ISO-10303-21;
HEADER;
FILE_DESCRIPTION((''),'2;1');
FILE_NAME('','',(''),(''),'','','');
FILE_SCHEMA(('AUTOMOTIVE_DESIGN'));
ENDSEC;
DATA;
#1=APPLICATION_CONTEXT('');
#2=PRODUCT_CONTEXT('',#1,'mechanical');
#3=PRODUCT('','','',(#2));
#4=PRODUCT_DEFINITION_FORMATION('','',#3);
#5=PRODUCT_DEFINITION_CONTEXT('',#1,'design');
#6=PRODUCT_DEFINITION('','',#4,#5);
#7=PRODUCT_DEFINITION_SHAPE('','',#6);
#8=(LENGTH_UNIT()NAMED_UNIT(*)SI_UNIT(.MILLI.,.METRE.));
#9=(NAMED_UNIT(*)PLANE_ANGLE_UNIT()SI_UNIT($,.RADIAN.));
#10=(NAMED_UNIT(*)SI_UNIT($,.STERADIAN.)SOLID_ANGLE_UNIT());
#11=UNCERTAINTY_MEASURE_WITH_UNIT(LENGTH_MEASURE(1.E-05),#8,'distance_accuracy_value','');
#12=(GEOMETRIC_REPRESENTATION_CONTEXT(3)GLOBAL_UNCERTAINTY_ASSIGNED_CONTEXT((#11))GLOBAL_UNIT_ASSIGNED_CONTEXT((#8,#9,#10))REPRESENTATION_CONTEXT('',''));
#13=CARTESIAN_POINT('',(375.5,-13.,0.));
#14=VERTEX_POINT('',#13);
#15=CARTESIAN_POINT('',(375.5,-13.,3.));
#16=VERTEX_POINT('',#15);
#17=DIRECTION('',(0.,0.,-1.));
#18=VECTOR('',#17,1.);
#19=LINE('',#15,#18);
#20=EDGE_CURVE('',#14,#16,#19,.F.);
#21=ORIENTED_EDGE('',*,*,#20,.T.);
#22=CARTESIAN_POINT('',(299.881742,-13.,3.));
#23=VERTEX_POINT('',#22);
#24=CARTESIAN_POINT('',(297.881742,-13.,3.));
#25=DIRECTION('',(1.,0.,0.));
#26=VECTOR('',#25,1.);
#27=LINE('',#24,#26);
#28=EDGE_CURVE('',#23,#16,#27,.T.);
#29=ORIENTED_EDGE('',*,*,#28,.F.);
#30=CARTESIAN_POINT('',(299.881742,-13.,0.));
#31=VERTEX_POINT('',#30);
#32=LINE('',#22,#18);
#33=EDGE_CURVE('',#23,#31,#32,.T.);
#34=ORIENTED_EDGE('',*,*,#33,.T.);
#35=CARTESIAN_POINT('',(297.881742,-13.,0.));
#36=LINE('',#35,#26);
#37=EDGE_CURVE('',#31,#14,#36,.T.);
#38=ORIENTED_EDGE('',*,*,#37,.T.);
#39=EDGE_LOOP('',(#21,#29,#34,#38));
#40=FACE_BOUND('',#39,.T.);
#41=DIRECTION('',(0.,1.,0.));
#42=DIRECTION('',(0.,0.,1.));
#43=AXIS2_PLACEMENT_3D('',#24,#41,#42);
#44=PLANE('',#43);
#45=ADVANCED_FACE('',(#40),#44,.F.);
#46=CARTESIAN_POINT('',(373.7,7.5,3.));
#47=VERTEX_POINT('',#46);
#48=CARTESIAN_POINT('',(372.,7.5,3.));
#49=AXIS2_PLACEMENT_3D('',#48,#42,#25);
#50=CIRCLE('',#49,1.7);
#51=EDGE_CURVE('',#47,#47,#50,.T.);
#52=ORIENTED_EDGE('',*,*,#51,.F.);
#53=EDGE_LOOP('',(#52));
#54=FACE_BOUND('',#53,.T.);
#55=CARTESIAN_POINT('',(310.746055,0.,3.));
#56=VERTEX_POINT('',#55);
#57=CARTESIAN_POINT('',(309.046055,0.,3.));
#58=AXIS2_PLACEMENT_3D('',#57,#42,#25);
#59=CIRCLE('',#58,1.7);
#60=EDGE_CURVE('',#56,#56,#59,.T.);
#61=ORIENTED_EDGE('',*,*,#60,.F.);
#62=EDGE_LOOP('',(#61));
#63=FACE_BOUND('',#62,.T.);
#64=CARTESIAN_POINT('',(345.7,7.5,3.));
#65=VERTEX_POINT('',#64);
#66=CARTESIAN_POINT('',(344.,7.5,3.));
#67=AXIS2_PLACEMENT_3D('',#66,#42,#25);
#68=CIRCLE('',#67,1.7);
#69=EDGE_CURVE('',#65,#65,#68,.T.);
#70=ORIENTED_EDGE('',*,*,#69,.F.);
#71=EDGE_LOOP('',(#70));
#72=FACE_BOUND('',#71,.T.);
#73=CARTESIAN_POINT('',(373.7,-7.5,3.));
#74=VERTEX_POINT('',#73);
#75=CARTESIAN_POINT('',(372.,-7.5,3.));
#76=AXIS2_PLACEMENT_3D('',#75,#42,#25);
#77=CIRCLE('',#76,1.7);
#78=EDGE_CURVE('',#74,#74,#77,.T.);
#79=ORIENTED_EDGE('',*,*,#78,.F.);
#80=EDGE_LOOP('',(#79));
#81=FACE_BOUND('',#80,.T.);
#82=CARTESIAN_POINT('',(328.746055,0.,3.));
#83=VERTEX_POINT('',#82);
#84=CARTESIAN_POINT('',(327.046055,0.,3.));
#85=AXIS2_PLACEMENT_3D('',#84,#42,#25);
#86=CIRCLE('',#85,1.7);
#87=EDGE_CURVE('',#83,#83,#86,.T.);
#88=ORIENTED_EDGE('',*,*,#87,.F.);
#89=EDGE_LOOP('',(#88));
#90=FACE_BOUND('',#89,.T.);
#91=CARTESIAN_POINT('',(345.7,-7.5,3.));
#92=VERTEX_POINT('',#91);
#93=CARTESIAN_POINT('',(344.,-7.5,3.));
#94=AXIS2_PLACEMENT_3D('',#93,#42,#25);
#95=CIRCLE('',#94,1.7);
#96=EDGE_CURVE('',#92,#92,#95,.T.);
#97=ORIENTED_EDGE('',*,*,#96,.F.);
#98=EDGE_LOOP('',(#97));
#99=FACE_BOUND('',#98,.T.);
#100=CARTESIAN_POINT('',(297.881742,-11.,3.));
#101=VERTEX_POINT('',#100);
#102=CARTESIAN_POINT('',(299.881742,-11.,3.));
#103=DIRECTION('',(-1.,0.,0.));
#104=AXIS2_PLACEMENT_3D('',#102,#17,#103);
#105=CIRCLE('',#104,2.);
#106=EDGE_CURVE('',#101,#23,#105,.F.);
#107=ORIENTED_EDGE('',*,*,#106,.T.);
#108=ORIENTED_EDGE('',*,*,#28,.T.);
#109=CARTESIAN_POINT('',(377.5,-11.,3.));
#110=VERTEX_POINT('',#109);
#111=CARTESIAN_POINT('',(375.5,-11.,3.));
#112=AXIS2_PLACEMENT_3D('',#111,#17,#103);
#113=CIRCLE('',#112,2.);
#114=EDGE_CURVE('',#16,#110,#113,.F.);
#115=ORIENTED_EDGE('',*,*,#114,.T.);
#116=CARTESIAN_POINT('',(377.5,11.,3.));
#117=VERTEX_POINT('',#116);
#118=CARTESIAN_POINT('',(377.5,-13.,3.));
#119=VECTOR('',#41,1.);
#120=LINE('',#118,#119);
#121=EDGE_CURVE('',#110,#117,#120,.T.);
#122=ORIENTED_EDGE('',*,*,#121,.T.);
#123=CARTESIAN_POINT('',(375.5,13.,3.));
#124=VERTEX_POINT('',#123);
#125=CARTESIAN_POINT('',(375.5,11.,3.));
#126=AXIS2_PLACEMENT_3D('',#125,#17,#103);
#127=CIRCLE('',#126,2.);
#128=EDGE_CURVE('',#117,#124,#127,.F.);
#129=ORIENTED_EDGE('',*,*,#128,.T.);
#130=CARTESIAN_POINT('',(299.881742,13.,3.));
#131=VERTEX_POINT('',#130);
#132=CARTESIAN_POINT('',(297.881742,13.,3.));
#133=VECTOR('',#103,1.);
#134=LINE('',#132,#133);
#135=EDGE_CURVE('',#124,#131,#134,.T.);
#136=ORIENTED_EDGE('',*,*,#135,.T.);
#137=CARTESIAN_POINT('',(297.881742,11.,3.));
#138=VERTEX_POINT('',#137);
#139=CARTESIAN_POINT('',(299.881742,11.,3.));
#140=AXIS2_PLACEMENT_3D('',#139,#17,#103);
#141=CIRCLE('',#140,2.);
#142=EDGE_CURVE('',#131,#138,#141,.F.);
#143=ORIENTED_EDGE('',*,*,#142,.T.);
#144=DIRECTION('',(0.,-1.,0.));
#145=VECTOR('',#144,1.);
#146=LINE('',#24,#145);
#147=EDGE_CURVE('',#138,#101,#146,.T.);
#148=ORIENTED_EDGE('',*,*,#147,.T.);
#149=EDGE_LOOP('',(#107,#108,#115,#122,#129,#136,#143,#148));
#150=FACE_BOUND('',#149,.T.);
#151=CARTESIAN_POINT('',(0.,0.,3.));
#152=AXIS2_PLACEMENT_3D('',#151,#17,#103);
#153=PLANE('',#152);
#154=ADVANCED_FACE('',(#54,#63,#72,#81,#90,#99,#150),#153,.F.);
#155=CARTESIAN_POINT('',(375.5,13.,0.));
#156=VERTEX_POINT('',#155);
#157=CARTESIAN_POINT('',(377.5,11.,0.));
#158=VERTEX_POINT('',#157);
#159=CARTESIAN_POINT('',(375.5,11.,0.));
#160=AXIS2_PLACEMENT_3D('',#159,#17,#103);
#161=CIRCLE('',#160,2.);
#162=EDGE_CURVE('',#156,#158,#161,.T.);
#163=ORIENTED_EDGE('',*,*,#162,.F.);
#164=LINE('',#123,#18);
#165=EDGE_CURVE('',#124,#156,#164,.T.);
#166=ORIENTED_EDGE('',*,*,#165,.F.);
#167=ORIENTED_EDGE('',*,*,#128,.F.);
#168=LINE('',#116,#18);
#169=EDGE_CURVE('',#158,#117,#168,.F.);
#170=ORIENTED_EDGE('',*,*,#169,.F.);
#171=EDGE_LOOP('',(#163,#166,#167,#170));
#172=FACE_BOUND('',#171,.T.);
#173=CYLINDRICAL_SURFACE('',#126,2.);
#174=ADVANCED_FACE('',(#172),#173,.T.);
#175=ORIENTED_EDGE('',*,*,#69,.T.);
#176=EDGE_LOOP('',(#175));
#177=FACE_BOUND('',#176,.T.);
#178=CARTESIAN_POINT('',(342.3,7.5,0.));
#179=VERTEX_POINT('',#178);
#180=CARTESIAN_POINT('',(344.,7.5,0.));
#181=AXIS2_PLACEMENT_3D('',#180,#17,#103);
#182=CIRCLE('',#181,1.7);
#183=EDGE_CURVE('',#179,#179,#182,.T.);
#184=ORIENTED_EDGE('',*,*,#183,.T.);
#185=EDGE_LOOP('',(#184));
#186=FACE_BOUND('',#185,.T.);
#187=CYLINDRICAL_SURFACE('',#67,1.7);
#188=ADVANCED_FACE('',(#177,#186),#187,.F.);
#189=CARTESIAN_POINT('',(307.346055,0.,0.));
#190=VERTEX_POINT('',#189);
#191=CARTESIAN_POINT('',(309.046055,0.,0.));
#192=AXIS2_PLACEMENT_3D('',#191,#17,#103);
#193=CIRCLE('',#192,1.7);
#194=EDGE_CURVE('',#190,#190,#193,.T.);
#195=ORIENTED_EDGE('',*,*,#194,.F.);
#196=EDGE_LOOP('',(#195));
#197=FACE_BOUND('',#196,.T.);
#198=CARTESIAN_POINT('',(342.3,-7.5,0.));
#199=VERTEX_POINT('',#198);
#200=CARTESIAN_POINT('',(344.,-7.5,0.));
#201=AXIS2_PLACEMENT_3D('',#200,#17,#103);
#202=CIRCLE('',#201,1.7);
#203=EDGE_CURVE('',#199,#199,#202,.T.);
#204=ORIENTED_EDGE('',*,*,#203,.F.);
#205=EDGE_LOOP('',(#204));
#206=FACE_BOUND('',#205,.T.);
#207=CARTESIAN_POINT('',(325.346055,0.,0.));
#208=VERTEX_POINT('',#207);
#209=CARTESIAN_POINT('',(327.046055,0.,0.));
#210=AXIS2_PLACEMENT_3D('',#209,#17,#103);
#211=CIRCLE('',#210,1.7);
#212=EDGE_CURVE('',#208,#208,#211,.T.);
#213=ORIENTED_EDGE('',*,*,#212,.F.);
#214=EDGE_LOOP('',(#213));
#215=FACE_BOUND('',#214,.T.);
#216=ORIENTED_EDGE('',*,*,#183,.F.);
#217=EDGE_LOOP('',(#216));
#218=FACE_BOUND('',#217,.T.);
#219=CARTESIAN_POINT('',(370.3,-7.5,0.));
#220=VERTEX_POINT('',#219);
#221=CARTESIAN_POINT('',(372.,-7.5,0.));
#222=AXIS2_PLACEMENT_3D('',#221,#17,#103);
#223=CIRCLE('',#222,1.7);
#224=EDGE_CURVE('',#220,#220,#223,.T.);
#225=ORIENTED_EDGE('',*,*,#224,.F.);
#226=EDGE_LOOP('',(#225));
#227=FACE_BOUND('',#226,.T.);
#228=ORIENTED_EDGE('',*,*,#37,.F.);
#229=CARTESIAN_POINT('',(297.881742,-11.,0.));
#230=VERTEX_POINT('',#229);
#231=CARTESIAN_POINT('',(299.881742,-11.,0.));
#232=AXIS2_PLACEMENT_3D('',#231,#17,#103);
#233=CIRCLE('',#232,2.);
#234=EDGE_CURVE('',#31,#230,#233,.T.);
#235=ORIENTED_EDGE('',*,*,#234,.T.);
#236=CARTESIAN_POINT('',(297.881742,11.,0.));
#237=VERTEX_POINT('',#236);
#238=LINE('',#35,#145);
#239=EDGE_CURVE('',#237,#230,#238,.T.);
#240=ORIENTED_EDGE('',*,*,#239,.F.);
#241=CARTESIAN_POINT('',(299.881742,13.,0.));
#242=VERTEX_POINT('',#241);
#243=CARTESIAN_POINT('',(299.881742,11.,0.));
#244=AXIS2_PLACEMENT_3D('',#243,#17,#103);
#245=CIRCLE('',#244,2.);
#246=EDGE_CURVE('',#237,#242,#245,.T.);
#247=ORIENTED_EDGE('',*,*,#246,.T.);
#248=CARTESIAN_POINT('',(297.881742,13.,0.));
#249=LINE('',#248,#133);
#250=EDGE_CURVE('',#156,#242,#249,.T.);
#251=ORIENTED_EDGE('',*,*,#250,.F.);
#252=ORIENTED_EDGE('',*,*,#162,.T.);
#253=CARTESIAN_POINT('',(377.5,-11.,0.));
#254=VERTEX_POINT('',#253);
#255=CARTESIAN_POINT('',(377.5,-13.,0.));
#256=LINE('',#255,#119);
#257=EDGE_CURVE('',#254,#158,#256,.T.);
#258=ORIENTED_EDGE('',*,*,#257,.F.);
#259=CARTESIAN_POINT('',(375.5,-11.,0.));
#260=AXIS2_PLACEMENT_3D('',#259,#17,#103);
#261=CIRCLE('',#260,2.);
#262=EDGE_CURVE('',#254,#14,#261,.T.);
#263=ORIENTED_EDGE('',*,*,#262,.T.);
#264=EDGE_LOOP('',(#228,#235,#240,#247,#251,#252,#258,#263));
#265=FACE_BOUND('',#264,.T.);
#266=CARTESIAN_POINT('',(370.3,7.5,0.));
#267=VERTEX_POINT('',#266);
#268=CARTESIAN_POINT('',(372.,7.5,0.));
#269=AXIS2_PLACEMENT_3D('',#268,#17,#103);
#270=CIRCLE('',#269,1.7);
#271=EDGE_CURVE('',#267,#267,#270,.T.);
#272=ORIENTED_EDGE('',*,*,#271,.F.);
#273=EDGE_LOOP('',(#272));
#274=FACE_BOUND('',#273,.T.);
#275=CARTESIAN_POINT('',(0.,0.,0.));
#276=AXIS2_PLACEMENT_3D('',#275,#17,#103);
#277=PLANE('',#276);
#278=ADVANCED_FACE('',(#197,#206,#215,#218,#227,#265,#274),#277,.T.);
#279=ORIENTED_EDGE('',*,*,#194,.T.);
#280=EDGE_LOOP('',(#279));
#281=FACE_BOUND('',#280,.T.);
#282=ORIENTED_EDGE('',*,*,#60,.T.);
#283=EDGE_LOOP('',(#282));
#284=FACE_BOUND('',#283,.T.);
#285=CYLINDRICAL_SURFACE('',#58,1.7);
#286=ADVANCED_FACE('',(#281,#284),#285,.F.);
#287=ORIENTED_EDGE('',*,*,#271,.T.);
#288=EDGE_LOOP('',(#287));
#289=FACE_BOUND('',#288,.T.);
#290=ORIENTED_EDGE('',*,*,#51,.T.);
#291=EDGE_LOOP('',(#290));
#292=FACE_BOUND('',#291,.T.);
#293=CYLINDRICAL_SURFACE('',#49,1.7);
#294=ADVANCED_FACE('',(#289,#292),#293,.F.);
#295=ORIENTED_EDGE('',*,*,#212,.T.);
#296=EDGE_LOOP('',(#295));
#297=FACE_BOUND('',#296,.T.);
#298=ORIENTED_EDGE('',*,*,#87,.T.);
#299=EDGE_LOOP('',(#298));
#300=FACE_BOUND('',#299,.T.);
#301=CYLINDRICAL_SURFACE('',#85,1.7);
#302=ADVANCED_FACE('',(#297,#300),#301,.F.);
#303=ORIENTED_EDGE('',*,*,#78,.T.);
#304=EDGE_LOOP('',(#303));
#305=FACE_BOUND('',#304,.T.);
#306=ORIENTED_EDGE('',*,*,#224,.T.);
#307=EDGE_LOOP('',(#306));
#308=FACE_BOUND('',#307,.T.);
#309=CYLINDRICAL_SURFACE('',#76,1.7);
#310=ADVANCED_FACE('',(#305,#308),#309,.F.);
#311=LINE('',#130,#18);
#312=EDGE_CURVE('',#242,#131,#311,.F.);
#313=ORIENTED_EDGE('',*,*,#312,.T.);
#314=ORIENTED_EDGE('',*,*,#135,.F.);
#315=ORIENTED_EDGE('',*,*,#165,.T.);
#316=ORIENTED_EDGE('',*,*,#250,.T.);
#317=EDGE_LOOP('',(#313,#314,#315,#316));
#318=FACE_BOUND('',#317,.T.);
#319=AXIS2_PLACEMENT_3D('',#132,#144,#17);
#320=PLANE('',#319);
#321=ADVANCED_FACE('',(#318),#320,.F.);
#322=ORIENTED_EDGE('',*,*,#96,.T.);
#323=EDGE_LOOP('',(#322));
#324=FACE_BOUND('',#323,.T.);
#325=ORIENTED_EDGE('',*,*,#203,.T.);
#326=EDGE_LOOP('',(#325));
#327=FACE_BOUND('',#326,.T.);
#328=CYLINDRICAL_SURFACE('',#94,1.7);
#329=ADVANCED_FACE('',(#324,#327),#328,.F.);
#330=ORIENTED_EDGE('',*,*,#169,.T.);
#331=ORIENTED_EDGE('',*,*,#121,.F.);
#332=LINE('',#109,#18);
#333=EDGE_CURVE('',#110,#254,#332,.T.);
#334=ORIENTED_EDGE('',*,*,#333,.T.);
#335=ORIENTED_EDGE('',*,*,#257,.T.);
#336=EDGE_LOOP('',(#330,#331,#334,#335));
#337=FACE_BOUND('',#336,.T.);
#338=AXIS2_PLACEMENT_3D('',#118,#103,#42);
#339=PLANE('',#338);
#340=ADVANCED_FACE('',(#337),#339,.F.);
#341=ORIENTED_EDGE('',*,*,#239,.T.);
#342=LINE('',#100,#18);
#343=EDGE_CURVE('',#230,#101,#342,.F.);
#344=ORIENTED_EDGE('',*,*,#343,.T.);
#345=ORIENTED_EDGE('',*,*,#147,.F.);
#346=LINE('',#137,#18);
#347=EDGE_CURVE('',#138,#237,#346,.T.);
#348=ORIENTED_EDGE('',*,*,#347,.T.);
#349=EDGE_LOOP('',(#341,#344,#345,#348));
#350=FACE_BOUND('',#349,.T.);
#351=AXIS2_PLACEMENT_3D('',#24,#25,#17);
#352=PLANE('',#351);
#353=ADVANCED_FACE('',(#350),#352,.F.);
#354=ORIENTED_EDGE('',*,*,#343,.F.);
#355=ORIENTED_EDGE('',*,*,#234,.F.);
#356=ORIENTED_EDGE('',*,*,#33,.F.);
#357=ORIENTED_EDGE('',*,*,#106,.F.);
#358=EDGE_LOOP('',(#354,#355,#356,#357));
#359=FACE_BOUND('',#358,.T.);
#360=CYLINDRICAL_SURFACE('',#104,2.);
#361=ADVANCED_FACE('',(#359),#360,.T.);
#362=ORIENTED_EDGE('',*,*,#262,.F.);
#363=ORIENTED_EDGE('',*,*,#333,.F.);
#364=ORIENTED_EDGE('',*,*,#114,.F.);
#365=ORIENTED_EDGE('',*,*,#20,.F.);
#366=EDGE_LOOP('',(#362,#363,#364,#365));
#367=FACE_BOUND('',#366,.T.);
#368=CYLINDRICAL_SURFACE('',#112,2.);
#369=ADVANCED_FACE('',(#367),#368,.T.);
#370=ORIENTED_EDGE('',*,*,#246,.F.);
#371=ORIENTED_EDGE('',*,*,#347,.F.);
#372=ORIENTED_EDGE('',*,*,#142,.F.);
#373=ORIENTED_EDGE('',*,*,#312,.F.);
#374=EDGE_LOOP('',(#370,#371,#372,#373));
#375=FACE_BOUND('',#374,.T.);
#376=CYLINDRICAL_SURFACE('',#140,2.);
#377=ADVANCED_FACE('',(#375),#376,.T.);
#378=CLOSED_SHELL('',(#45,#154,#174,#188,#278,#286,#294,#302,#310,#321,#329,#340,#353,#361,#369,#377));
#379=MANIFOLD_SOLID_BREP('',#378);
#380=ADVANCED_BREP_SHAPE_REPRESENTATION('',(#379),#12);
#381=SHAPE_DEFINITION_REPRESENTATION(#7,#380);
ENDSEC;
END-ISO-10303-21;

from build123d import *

# Parameters (mm, degrees)
SKETCH1_W                = 79.618258269
SKETCH1_H                = 26
BOSS_EXTRUDE1_DEPTH      = 3
M3_CLEARANCE_HOLE1_D     = 3.4
M3_CLEARANCE_HOLE1_DEPTH = 5
M3_CLEARANCE_HOLE1_TIP   = 1.021463052
M3_CLEARANCE_HOLE2_D     = 3.4
M3_CLEARANCE_HOLE2_DEPTH = 5
M3_CLEARANCE_HOLE2_TIP   = 1.021463052
FILLET1_R                = 2


with BuildPart() as part:
    # Sketch1 → Boss-Extrude1 (new body)
    with BuildSketch(Plane.XY):
        with Locations((337.690870866, 0)):
            Rectangle(SKETCH1_W, SKETCH1_H)
    extrude(amount=BOSS_EXTRUDE1_DEPTH)

    # M3 Clearance Hole1
    with Locations(Plane.XY.offset(3)):
        with Locations((372, -7.5), (372, 7.5), (344, 7.5), (344, -7.5)):
            Hole(M3_CLEARANCE_HOLE1_D / 2, depth=M3_CLEARANCE_HOLE1_DEPTH)
            with Locations((0, 0, -(M3_CLEARANCE_HOLE1_DEPTH + M3_CLEARANCE_HOLE1_TIP / 2))):  # 118° drill point
                Cone(0, M3_CLEARANCE_HOLE1_D / 2, M3_CLEARANCE_HOLE1_TIP, mode=Mode.SUBTRACT)

    # M3 Clearance Hole2
    with Locations(Plane.XY.offset(3)):
        with Locations((309.046054969, 0), (327.046054969, 0)):
            Hole(M3_CLEARANCE_HOLE2_D / 2, depth=M3_CLEARANCE_HOLE2_DEPTH)
            with Locations((0, 0, -(M3_CLEARANCE_HOLE2_DEPTH + M3_CLEARANCE_HOLE2_TIP / 2))):  # 118° drill point
                Cone(0, M3_CLEARANCE_HOLE2_D / 2, M3_CLEARANCE_HOLE2_TIP, mode=Mode.SUBTRACT)

    # Fillet1
    fillet1_edges = [part.edges().sort_by_distance(p)[0] for p in [
        (297.881741731, 13, 1.5),
        (377.5, 13, 1.5),
        (377.5, -13, 1.5),
        (297.881741731, -13, 1.5),
    ]]
    fillet(fillet1_edges, radius=FILLET1_R)


solid = part.part
